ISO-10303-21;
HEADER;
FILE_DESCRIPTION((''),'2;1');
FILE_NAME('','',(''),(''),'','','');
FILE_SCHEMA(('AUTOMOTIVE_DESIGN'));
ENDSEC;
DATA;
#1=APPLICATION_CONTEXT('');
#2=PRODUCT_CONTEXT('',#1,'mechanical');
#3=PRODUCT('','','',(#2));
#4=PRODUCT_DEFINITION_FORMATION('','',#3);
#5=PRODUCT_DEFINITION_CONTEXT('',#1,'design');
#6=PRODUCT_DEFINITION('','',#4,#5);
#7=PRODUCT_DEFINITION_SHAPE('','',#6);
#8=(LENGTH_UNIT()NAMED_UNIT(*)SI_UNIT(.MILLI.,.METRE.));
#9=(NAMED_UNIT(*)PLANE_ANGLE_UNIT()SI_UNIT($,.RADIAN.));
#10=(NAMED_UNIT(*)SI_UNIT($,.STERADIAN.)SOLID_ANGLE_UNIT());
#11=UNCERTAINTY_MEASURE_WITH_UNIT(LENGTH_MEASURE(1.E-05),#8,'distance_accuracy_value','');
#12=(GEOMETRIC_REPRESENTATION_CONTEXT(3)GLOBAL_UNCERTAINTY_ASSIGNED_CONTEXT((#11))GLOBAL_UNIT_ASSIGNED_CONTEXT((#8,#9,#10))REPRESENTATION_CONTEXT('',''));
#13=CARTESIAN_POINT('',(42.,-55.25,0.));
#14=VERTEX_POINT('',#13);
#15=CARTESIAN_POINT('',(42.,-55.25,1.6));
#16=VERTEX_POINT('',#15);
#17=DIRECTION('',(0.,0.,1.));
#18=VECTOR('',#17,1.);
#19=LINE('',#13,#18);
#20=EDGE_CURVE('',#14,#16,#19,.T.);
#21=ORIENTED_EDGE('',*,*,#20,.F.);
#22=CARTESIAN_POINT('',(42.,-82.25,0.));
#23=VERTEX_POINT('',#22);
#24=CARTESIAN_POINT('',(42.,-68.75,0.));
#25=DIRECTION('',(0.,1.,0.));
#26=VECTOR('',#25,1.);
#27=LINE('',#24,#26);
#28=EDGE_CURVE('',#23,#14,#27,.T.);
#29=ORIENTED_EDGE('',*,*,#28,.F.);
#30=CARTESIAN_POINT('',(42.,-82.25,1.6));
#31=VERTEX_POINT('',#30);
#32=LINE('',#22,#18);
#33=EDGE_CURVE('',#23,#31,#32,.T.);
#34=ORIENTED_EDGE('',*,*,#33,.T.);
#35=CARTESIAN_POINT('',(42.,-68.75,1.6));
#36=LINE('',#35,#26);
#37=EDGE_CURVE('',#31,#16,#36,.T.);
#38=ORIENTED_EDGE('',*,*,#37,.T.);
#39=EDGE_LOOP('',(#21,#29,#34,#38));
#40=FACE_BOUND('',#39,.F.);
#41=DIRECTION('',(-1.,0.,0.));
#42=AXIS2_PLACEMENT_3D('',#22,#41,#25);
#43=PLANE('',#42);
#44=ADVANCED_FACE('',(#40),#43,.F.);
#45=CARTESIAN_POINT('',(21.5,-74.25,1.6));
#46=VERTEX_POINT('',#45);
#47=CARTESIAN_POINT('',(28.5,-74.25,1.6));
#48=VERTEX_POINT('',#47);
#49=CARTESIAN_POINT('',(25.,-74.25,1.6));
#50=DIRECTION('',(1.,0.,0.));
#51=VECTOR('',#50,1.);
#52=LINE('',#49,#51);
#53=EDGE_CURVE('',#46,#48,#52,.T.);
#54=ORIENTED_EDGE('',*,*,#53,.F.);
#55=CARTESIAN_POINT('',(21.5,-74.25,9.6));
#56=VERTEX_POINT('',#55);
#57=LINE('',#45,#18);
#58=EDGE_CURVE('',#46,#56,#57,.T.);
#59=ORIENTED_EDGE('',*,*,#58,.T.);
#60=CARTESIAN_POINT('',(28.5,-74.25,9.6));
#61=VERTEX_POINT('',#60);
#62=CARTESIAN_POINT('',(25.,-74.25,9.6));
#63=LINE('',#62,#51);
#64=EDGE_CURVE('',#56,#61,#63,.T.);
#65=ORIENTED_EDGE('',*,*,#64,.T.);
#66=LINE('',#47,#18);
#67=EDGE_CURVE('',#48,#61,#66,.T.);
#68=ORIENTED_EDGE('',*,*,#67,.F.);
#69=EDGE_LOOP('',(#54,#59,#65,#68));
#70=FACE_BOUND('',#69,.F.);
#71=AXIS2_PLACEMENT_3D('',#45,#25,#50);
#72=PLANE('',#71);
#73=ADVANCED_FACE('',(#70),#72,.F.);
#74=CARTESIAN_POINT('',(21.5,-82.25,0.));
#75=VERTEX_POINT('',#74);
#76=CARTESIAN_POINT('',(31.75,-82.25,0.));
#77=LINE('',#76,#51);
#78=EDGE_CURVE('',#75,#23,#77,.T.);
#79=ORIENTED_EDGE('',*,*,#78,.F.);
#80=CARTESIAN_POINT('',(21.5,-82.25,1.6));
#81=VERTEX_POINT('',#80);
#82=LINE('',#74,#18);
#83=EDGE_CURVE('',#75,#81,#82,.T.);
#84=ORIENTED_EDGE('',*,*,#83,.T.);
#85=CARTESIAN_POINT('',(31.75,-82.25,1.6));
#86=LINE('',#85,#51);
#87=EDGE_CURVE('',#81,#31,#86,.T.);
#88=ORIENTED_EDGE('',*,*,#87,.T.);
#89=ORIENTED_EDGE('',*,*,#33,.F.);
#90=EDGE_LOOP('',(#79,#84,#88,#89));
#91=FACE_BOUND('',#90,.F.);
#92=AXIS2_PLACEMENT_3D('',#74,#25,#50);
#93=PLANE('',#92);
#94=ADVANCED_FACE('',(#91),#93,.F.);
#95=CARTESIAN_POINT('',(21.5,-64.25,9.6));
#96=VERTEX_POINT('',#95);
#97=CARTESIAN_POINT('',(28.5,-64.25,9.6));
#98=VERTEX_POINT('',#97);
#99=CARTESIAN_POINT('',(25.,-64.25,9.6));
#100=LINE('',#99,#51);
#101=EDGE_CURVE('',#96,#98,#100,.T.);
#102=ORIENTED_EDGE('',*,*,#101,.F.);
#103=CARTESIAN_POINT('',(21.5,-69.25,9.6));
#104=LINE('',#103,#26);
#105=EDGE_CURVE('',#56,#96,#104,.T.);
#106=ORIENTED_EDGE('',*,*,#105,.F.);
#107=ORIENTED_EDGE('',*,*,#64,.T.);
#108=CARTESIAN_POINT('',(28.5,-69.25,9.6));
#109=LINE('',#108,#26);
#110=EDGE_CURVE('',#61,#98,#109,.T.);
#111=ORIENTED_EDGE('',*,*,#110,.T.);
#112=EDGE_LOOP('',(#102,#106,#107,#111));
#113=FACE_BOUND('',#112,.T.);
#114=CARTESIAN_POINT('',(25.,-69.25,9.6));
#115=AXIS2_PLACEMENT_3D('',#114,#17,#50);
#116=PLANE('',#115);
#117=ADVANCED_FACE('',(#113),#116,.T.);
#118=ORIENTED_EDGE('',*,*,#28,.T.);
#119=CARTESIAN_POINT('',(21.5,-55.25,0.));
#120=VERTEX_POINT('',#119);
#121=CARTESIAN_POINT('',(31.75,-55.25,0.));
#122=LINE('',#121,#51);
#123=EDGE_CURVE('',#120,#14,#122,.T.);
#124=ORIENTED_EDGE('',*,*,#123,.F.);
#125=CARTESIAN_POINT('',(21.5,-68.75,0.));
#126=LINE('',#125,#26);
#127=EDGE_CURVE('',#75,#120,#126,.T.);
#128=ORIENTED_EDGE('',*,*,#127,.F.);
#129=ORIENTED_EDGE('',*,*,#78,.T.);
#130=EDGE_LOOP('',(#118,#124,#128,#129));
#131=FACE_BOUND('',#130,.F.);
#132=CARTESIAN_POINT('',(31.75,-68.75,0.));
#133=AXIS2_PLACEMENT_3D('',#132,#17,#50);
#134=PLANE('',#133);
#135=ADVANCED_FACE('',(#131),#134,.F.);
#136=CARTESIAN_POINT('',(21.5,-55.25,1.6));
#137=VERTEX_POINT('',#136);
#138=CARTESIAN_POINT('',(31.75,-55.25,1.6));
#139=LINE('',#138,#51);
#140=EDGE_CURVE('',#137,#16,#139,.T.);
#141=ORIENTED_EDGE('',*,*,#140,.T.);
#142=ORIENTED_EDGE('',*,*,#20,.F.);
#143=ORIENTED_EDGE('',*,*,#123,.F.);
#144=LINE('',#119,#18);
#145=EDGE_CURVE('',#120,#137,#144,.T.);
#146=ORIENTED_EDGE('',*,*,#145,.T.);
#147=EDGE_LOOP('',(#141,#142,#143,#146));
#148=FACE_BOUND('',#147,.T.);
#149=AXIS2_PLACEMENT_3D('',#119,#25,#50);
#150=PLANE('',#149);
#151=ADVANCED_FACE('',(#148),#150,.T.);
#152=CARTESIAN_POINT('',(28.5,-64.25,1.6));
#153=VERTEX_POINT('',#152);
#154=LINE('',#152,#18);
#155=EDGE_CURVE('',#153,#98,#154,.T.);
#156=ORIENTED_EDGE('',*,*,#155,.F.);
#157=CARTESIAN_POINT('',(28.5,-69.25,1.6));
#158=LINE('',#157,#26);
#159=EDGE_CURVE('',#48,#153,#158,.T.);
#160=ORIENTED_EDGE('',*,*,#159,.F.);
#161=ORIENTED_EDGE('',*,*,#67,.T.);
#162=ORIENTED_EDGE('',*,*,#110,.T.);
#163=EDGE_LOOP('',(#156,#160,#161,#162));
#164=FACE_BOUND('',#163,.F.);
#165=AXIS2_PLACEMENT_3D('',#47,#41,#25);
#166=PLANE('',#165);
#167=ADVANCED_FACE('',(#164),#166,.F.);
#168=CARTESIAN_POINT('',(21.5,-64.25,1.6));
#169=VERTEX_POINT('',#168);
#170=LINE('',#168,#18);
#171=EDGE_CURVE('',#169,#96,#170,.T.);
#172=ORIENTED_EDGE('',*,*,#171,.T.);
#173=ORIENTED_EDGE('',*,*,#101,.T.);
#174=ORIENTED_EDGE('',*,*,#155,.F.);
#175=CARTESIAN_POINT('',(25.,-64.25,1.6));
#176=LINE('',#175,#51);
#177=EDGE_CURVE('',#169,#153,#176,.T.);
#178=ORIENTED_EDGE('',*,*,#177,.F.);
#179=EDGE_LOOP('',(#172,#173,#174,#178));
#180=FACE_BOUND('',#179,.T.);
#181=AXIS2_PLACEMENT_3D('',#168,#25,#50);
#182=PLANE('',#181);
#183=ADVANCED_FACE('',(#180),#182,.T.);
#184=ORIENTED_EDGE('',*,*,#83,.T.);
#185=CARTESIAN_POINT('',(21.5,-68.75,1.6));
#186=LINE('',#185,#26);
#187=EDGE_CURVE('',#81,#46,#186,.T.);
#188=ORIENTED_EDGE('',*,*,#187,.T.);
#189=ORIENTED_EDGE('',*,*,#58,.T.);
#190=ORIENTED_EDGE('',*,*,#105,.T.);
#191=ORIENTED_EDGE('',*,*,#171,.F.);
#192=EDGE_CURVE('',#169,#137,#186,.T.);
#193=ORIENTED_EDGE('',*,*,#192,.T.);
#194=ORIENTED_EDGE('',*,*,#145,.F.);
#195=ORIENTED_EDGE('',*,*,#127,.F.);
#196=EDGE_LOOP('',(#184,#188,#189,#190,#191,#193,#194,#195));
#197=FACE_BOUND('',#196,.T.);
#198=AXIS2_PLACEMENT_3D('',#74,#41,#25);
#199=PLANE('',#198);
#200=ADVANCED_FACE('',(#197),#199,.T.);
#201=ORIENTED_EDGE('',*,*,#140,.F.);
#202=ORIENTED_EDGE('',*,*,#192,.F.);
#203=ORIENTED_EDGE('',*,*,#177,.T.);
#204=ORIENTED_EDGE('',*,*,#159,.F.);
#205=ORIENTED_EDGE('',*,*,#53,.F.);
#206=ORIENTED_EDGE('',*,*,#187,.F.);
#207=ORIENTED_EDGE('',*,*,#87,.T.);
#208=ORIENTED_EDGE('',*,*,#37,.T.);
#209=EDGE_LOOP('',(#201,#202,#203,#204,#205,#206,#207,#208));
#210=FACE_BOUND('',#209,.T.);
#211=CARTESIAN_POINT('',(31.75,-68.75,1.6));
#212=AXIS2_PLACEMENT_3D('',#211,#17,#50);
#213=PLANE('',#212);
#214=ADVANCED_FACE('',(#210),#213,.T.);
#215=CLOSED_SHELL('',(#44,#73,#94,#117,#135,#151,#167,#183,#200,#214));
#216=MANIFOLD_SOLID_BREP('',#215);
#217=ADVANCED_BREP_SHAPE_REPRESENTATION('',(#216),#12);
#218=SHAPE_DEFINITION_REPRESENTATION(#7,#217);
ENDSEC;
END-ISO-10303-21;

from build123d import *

# Parameters (mm, degrees)
BOX004_W     = 7
BOX004_H     = 10
BOX004_DEPTH = 8
BOX003_W     = 20.5
BOX003_H     = 27
BOX003_DEPTH = 1.6


with BuildPart() as cube004:
    # Box004 → Box004 (new body)
    with BuildSketch(Plane(origin=(0, 8, 1.6), x_dir=(1, 0, 0), z_dir=(0, 0, 1))):
        with Locations((3.5, 5)):
            Rectangle(BOX004_W, BOX004_H)
    extrude(amount=BOX004_DEPTH)


with BuildPart() as imu_pcb001:
    # Box003 → Box003 (new body)
    with BuildSketch(Plane.XY):
        with Locations((10.25, 13.5)):
            Rectangle(BOX003_W, BOX003_H)
    extrude(amount=BOX003_DEPTH)

    # Fusion001: union Cube004
    add(cube004.part)


with BuildPart() as imu_pcb001_1:
    # Fusion001 placement: moved
    add(imu_pcb001.part.moved(Location((21.5, -82.25, 0))))


solid = imu_pcb001_1.part
